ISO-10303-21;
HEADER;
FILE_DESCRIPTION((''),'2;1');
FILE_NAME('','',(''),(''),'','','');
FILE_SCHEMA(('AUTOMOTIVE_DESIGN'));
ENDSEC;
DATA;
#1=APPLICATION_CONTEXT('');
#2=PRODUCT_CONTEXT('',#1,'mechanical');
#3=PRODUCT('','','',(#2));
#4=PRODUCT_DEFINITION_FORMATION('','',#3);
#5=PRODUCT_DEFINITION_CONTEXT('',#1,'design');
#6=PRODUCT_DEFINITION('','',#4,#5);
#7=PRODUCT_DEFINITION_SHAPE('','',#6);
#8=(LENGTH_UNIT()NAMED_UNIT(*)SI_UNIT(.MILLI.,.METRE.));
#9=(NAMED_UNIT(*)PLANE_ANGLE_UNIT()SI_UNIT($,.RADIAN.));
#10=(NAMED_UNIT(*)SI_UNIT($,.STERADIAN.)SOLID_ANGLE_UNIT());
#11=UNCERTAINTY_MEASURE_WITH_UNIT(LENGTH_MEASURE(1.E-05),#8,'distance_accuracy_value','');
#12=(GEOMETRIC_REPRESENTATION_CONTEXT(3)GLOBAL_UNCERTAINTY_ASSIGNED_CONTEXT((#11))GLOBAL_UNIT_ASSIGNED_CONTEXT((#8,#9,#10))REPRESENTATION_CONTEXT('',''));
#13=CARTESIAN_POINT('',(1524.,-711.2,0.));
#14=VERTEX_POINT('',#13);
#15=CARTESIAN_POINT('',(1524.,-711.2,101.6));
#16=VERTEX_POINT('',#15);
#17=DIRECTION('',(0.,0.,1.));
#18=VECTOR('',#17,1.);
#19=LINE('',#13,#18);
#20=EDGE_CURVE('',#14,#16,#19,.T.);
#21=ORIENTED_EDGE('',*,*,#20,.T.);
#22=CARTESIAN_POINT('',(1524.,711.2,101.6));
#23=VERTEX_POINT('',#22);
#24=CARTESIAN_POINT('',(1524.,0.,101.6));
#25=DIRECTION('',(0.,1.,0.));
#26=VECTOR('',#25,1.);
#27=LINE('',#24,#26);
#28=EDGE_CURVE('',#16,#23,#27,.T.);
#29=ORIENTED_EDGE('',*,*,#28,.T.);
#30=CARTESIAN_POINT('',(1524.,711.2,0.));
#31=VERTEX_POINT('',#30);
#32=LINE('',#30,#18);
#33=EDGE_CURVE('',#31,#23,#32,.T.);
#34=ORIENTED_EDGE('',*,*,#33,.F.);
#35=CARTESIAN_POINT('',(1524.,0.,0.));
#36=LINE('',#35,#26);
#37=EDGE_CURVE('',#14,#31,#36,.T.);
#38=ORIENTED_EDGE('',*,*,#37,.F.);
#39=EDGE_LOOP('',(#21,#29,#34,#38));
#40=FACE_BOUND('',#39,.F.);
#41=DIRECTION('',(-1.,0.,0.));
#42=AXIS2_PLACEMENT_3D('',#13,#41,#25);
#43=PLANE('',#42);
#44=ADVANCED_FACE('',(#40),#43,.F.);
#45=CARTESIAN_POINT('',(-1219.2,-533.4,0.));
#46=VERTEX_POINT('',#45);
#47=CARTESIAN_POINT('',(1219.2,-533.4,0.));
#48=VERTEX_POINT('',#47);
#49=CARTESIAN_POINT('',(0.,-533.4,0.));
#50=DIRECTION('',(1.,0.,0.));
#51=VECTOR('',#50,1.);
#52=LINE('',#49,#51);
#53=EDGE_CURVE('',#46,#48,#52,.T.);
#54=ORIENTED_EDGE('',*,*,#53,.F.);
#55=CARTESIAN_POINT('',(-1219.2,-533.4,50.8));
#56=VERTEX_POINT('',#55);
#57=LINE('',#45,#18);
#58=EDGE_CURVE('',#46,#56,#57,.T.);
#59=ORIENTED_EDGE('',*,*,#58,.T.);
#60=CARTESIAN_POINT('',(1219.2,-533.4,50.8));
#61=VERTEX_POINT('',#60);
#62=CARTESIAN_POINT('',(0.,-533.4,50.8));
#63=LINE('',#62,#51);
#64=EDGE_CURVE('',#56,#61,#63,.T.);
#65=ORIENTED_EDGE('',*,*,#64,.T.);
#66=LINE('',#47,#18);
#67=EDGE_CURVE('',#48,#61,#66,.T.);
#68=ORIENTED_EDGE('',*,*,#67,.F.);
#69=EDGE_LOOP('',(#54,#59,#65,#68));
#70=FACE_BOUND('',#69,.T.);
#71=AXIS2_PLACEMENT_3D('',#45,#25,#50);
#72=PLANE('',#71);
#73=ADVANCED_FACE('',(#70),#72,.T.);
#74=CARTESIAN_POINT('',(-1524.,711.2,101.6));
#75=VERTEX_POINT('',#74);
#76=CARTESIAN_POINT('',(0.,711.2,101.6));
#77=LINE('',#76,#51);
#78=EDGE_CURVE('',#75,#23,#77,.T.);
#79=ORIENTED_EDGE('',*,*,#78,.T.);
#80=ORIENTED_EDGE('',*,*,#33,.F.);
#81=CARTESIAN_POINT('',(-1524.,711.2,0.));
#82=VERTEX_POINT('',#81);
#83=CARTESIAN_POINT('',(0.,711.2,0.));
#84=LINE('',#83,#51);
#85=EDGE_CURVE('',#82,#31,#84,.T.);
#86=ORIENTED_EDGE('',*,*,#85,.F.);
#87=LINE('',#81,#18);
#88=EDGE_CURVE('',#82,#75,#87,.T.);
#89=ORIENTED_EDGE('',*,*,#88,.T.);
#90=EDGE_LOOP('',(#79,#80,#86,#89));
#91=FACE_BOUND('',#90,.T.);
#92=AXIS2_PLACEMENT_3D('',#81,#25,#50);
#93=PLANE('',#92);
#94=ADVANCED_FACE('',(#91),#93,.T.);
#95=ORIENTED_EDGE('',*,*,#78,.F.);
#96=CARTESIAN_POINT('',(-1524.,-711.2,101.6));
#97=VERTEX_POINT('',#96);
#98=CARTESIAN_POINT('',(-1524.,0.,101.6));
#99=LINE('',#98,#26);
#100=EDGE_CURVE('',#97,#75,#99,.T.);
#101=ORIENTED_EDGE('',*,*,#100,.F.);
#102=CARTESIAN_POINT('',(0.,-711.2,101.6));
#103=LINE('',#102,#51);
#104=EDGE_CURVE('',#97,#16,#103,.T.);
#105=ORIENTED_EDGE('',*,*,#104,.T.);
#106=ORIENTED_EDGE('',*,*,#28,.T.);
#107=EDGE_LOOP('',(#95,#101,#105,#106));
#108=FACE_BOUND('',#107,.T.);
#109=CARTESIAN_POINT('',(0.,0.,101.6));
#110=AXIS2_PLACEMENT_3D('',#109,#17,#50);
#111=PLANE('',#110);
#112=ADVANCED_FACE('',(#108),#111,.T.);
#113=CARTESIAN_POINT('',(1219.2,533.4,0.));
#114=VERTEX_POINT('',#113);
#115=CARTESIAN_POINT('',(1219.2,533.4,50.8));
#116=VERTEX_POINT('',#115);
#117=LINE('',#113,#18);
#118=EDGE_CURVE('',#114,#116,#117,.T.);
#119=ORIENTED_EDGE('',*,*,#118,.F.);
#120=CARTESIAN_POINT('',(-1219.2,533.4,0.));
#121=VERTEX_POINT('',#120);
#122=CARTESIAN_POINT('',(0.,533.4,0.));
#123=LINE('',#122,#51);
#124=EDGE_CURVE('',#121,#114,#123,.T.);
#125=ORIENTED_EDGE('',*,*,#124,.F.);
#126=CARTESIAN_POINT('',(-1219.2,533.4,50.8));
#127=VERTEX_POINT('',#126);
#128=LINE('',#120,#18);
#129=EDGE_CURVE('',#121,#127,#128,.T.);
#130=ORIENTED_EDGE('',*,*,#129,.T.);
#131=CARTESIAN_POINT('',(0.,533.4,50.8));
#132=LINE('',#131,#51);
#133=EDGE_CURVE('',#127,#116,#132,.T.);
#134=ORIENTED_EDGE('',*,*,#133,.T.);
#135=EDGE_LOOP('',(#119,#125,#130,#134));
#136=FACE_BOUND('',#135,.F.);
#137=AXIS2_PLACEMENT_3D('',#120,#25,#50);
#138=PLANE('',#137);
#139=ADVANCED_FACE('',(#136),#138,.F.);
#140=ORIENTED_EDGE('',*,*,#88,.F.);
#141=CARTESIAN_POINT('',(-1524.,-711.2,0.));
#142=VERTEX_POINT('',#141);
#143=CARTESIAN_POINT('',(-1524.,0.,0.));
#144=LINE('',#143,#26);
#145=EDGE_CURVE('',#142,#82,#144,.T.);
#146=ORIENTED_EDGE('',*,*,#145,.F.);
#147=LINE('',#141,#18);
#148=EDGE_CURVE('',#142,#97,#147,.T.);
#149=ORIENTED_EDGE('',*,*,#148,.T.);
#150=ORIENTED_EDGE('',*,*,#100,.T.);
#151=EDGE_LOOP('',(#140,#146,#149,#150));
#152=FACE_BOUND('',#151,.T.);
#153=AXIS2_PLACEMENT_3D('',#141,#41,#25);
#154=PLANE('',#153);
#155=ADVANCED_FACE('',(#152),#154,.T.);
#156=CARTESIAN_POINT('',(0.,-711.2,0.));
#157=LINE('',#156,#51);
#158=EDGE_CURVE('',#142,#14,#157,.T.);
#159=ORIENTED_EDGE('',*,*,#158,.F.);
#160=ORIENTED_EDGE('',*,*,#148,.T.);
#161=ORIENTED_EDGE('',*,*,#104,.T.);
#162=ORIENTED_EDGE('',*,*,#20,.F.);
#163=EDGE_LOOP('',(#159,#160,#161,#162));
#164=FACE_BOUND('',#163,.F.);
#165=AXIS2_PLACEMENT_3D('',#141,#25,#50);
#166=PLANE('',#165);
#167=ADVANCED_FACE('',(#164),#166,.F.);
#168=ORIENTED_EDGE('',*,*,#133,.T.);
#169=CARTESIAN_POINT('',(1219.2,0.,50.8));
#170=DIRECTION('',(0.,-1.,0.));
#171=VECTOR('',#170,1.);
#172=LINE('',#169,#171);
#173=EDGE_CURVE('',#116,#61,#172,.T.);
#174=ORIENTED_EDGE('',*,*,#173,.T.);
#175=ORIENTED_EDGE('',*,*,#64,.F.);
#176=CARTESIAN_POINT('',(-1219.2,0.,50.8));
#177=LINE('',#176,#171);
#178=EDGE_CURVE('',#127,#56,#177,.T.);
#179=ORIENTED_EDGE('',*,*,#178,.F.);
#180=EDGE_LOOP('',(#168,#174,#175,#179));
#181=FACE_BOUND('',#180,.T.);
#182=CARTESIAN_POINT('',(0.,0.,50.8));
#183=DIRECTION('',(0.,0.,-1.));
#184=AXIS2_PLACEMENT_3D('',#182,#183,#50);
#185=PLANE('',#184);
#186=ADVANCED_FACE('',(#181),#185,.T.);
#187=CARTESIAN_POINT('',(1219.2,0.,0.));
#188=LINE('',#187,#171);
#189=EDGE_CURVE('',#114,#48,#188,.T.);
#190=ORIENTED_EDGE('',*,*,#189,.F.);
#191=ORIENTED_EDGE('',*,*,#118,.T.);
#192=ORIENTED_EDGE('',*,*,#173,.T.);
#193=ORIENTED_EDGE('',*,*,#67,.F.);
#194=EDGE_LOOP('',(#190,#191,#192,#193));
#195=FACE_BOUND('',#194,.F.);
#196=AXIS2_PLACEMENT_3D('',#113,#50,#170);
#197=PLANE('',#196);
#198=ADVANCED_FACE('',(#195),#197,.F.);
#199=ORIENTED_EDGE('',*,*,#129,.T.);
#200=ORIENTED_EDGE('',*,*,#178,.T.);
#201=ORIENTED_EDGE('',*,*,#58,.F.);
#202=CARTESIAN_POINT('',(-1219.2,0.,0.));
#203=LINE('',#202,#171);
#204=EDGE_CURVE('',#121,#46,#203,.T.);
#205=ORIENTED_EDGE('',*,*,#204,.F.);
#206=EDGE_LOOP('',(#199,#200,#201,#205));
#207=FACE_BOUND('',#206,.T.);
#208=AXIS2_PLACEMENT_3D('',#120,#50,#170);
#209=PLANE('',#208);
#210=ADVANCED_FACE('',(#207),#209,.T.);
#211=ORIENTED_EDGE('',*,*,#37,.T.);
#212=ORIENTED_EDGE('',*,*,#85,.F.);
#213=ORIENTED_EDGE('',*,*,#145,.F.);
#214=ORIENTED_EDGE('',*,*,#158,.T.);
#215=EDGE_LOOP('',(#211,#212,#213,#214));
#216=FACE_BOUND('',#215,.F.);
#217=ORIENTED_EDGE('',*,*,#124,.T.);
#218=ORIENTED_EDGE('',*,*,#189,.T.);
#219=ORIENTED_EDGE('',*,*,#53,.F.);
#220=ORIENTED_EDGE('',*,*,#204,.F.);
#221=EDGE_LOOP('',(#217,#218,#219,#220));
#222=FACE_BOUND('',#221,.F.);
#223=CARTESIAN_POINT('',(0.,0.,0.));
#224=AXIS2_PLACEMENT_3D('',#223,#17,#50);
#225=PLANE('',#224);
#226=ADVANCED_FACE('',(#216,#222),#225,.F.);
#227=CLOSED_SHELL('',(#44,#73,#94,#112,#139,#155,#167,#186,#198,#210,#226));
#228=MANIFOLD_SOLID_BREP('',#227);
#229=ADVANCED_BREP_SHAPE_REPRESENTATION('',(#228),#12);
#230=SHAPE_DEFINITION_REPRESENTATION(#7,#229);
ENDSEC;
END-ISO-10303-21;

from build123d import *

# Parameters (mm, degrees)
F0_W     = 3048
F0_H     = 1422.4
F1_DEPTH = 101.6
F2_W     = 2438.4
F2_H     = 1066.8
F3_DEPTH = 50.8


with BuildPart() as f1:
    # F0 (on Top) → F1 (new body)
    with BuildSketch(Plane.XY):
        Rectangle(F0_W, F0_H)
    extrude(amount=F1_DEPTH)

    # F2 (on face) → F3 (cut)
    with BuildSketch(Plane(origin=(0, 0, 0), x_dir=(1, 0, 0), z_dir=(0, 0, -1))):
        Rectangle(F2_W, F2_H)
    extrude(amount=-F3_DEPTH, mode=Mode.SUBTRACT)


solid = f1.part
